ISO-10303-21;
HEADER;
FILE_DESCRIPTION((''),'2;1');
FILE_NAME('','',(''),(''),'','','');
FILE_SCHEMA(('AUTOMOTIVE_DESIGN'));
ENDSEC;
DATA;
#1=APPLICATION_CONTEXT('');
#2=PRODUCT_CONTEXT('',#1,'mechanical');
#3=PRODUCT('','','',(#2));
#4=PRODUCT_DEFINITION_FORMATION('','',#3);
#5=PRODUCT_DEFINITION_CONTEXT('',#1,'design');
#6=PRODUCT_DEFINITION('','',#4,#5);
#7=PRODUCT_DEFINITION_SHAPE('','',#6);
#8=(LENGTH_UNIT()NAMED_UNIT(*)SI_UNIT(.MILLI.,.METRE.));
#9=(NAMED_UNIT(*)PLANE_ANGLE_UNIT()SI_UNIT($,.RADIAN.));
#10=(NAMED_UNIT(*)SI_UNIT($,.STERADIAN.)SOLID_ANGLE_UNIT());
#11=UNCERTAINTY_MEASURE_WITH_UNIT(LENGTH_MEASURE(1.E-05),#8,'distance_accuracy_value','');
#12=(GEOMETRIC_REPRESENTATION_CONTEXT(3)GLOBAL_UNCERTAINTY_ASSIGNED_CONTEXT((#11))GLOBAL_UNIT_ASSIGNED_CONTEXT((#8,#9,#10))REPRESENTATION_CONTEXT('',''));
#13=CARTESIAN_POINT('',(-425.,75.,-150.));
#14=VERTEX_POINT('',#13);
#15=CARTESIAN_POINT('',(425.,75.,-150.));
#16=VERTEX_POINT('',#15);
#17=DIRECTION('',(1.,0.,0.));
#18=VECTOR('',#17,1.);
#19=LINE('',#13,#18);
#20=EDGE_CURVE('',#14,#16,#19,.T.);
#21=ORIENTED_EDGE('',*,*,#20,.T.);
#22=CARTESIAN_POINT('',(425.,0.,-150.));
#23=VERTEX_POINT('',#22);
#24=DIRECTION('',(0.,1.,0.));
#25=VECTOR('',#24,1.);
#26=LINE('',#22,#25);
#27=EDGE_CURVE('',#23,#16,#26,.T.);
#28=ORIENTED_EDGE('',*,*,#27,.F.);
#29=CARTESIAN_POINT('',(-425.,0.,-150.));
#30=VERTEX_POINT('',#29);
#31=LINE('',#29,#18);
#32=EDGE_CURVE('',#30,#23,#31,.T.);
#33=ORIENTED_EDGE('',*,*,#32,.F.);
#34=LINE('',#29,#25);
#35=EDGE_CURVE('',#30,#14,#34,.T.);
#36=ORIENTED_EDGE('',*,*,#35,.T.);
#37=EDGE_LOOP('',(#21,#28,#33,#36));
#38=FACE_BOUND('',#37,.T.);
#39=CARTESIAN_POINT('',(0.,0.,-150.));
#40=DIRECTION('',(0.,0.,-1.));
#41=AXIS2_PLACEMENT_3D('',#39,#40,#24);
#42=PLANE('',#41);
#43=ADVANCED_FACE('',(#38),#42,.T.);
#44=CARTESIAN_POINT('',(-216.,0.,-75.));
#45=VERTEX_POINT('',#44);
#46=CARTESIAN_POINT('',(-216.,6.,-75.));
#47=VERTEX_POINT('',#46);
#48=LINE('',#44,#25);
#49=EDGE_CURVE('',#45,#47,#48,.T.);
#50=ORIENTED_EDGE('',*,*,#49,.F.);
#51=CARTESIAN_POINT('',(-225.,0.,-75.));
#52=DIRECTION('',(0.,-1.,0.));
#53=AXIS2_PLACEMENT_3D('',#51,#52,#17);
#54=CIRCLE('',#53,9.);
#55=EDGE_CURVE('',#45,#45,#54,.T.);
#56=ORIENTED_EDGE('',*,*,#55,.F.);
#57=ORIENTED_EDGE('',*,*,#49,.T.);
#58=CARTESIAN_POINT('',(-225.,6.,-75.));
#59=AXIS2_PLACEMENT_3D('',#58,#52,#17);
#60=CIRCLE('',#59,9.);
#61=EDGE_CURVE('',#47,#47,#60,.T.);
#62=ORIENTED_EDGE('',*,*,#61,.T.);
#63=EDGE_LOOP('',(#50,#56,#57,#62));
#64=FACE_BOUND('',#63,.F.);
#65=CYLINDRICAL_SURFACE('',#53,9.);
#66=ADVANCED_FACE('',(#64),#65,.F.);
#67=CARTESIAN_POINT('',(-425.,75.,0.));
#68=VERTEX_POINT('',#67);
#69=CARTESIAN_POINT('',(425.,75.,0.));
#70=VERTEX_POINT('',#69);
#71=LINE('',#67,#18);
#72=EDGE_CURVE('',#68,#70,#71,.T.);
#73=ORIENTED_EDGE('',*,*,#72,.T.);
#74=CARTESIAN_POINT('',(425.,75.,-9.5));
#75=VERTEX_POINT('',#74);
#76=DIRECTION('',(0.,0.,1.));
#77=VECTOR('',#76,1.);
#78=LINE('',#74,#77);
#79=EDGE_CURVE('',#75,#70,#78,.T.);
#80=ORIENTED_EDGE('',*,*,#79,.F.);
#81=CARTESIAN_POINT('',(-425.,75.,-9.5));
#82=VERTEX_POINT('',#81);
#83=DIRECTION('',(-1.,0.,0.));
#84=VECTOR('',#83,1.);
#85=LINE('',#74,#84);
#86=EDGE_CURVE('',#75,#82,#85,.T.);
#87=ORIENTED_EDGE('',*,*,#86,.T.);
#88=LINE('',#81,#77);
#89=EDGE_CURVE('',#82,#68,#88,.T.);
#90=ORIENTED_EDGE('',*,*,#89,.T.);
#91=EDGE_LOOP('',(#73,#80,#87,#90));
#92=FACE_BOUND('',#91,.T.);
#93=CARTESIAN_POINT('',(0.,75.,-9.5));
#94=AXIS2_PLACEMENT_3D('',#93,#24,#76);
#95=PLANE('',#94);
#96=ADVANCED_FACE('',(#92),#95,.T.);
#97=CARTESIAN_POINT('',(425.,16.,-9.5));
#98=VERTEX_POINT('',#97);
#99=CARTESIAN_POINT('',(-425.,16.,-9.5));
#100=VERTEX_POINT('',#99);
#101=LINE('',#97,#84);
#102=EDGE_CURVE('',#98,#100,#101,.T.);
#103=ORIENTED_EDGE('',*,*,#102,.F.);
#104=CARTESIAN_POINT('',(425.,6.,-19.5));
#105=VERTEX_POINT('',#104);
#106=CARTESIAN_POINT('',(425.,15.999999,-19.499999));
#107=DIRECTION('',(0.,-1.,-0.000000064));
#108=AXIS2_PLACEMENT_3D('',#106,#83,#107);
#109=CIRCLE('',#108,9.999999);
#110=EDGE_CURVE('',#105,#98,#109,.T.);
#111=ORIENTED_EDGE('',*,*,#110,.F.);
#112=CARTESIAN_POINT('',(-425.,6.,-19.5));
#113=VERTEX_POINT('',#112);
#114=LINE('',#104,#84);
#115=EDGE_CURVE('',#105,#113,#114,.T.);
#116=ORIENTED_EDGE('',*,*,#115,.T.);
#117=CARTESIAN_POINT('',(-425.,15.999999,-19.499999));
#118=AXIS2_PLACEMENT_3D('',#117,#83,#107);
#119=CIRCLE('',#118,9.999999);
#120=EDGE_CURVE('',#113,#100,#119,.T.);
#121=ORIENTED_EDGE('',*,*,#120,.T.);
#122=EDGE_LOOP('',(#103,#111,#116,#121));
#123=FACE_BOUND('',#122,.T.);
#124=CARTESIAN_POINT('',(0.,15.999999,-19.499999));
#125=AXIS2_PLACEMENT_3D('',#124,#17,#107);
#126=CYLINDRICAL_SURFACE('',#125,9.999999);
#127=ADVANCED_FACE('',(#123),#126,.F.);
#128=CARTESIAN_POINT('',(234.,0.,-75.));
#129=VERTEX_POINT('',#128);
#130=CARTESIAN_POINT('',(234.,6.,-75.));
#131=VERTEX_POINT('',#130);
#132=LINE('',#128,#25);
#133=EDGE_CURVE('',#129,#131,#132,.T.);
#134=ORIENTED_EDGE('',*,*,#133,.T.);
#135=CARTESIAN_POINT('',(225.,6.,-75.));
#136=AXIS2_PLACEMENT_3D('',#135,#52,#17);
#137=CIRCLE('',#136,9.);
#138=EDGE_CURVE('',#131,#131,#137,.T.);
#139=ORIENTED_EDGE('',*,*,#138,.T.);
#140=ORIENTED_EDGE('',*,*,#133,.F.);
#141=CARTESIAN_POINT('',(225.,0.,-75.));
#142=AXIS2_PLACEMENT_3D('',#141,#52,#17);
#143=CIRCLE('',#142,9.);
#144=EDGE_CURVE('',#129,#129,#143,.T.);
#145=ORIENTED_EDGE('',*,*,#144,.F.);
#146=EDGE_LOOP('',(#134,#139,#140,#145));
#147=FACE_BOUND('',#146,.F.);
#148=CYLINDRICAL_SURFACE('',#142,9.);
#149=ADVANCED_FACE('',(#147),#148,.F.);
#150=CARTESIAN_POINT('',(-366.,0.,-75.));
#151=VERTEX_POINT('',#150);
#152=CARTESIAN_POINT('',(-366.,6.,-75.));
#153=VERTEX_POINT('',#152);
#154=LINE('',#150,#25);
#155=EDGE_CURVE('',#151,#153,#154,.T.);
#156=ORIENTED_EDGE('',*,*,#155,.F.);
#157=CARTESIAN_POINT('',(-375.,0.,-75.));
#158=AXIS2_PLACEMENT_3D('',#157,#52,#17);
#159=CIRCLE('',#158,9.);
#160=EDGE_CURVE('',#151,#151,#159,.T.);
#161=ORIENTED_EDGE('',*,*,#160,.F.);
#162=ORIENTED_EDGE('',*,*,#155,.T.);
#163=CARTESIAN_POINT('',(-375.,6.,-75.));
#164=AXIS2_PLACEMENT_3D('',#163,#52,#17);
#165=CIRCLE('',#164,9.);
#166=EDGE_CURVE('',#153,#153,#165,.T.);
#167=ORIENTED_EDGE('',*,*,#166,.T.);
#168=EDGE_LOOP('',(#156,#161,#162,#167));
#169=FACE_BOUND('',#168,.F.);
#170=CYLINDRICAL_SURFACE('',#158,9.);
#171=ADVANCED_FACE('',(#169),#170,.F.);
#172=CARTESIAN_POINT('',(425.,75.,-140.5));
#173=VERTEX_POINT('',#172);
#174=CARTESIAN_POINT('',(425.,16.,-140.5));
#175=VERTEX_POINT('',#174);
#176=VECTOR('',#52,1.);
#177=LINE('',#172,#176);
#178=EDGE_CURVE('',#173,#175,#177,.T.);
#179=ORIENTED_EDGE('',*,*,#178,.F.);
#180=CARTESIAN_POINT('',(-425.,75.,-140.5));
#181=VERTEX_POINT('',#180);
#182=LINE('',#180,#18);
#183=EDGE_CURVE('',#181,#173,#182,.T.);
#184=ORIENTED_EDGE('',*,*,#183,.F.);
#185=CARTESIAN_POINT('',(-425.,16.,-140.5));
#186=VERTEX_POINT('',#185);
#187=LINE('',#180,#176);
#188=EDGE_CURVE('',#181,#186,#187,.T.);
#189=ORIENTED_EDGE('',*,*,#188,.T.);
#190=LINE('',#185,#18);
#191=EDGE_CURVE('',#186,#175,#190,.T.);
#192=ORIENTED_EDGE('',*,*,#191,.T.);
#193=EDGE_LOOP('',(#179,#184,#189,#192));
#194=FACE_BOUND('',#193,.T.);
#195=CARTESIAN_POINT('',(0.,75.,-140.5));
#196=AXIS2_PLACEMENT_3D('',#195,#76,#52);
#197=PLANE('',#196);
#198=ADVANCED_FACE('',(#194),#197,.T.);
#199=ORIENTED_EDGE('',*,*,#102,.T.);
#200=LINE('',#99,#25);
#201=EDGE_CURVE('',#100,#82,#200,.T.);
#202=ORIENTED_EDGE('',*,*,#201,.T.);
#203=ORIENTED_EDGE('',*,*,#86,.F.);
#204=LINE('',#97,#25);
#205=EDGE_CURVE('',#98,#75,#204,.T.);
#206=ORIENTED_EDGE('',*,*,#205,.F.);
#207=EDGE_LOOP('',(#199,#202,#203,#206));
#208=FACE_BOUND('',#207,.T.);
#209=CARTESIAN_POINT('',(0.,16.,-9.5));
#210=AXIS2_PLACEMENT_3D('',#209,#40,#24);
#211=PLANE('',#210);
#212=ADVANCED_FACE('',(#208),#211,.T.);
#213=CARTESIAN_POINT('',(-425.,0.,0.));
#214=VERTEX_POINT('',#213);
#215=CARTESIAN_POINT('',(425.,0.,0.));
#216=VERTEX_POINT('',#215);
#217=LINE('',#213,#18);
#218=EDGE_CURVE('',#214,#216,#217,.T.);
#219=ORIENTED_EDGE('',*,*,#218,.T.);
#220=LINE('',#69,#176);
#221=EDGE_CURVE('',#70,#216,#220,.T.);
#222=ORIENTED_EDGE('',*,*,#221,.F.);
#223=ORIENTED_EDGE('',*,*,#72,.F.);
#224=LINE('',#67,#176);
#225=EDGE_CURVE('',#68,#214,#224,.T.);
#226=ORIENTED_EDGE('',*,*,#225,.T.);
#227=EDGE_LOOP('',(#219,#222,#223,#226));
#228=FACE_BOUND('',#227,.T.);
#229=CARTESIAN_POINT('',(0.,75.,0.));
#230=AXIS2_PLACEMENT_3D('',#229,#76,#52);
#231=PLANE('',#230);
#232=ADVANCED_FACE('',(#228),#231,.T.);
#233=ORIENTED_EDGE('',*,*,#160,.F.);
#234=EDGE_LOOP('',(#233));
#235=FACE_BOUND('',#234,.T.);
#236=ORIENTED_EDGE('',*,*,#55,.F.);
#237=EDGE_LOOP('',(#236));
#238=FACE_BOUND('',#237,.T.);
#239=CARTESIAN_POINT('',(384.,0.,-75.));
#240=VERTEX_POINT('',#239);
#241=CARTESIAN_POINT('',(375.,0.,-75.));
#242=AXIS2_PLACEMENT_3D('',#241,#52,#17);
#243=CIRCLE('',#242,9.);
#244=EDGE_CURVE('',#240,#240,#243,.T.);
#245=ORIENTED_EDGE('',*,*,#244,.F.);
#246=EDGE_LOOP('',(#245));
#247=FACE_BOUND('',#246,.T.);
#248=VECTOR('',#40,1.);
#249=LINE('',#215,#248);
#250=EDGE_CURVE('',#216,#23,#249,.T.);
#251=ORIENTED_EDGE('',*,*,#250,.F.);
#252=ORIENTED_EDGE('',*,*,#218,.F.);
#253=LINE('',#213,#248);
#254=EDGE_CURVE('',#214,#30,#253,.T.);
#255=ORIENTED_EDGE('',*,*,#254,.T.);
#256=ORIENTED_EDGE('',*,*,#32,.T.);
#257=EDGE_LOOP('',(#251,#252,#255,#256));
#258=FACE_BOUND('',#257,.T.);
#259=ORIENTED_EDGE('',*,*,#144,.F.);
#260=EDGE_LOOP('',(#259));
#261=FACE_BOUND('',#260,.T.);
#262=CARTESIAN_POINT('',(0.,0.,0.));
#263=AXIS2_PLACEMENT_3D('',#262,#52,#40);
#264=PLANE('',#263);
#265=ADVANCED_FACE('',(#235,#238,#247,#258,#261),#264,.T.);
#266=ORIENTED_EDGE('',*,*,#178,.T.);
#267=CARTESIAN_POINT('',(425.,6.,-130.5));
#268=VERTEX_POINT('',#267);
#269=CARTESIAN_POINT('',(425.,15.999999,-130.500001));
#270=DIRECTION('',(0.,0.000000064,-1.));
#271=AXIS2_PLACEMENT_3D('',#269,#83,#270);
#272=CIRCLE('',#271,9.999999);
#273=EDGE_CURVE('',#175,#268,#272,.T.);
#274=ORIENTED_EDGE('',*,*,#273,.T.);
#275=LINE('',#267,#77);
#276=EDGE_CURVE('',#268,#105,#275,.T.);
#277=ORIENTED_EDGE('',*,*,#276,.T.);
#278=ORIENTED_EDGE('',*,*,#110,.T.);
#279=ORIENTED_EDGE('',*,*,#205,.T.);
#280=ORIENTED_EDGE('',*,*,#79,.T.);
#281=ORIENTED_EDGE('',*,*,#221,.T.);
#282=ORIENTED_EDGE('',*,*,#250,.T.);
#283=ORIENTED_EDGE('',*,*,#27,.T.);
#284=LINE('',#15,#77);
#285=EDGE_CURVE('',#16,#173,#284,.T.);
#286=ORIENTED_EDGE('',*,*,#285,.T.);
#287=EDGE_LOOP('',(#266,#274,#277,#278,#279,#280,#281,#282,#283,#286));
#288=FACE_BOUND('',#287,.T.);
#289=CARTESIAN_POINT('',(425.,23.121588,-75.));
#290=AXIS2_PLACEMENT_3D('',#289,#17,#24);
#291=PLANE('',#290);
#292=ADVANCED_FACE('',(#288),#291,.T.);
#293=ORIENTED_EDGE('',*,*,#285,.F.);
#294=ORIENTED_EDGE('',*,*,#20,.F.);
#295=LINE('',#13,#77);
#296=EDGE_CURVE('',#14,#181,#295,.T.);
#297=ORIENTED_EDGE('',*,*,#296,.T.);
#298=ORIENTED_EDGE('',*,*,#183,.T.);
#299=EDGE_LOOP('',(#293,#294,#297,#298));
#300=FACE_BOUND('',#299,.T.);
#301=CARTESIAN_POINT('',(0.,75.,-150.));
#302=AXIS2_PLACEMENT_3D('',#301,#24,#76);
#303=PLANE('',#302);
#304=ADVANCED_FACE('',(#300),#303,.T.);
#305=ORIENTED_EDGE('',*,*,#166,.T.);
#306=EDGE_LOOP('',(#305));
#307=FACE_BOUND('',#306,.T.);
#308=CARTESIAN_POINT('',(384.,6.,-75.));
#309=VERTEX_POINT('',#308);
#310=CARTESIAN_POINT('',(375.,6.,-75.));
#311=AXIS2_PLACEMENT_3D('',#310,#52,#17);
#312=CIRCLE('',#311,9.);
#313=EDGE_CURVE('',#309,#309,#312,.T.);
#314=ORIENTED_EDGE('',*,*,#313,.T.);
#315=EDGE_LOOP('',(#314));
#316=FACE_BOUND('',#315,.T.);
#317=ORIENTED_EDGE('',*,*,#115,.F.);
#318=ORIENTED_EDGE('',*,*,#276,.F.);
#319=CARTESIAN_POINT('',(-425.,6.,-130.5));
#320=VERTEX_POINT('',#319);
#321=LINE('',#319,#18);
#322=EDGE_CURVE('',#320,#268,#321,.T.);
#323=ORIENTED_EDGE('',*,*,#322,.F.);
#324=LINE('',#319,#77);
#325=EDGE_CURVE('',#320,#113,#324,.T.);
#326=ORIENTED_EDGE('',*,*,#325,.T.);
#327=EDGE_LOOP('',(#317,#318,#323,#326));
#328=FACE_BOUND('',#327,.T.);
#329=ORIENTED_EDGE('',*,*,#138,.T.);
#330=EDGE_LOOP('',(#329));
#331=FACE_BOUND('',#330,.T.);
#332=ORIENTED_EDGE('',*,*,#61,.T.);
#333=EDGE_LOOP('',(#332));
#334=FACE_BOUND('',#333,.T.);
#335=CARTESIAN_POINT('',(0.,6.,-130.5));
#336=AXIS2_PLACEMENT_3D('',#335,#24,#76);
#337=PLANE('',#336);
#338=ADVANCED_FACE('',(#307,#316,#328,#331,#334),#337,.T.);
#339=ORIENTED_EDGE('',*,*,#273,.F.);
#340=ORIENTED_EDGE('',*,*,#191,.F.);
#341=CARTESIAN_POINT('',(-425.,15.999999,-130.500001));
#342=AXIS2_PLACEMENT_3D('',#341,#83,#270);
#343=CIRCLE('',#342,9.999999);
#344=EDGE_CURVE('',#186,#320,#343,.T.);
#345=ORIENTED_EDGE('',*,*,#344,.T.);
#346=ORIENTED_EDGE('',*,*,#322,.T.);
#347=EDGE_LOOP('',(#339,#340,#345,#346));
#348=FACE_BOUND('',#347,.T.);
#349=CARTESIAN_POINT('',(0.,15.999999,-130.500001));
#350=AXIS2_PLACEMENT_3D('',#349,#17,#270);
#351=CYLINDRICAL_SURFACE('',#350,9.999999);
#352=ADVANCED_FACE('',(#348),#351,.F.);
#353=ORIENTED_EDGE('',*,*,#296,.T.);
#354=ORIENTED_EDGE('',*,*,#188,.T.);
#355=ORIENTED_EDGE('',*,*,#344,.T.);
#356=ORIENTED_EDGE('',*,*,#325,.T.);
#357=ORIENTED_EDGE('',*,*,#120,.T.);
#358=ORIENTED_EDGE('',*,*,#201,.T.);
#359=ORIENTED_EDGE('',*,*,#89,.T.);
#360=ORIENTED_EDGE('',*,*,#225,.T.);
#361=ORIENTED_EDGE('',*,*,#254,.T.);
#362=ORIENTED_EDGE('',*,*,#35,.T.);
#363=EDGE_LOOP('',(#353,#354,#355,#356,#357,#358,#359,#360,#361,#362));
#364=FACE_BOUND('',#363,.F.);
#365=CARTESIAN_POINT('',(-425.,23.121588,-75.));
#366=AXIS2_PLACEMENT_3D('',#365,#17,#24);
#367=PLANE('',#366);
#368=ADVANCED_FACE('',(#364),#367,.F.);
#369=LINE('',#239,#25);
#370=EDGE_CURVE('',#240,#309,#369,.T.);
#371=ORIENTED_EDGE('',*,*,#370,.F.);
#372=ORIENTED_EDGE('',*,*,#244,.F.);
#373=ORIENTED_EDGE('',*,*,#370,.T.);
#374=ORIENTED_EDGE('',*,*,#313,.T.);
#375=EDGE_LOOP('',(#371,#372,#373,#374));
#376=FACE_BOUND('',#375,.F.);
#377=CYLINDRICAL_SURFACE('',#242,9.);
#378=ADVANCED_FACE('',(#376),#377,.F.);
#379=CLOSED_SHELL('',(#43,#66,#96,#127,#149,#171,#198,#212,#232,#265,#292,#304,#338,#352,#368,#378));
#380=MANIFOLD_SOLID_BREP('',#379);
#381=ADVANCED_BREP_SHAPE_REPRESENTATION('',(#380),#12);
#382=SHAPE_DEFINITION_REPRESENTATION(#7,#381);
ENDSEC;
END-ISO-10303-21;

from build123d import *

# Parameters (mm, degrees)
F1_DEPTH = 425
F2_R     = 9
F3_DEPTH = 25


with BuildPart() as f1:
    # F0 (on Right) → F1 (new body, symmetric)
    with BuildSketch(Plane.YZ):
        with BuildLine():
            Line((75, -9.5), (75, 0))
            Line((75, 0), (0, 0))
            Line((0, 0), (0, -150))
            Line((0, -150), (75, -150))
            Line((75, -150), (75, -140.5))
            Line((75, -140.5), (16, -140.5))
            ThreePointArc((16, -140.5), (8.928932, -137.571068), (6, -130.5))
            Line((6, -130.5), (6, -19.5))
            ThreePointArc((6, -19.5), (8.928932, -12.428932), (16, -9.5))
            Line((16, -9.5), (75, -9.5))
        make_face()
    extrude(amount=F1_DEPTH, both=True)

    # F2 (on face) → F3 (cut)
    with BuildSketch(Plane.XZ):
        with Locations((-375, -75)):
            Circle(F2_R)
        with Locations((-225, -75)):
            Circle(F2_R)
        with Locations((225, -75)):
            Circle(F2_R)
        with Locations((375, -75)):
            Circle(F2_R)
    extrude(amount=-F3_DEPTH, mode=Mode.SUBTRACT)


solid = f1.part
